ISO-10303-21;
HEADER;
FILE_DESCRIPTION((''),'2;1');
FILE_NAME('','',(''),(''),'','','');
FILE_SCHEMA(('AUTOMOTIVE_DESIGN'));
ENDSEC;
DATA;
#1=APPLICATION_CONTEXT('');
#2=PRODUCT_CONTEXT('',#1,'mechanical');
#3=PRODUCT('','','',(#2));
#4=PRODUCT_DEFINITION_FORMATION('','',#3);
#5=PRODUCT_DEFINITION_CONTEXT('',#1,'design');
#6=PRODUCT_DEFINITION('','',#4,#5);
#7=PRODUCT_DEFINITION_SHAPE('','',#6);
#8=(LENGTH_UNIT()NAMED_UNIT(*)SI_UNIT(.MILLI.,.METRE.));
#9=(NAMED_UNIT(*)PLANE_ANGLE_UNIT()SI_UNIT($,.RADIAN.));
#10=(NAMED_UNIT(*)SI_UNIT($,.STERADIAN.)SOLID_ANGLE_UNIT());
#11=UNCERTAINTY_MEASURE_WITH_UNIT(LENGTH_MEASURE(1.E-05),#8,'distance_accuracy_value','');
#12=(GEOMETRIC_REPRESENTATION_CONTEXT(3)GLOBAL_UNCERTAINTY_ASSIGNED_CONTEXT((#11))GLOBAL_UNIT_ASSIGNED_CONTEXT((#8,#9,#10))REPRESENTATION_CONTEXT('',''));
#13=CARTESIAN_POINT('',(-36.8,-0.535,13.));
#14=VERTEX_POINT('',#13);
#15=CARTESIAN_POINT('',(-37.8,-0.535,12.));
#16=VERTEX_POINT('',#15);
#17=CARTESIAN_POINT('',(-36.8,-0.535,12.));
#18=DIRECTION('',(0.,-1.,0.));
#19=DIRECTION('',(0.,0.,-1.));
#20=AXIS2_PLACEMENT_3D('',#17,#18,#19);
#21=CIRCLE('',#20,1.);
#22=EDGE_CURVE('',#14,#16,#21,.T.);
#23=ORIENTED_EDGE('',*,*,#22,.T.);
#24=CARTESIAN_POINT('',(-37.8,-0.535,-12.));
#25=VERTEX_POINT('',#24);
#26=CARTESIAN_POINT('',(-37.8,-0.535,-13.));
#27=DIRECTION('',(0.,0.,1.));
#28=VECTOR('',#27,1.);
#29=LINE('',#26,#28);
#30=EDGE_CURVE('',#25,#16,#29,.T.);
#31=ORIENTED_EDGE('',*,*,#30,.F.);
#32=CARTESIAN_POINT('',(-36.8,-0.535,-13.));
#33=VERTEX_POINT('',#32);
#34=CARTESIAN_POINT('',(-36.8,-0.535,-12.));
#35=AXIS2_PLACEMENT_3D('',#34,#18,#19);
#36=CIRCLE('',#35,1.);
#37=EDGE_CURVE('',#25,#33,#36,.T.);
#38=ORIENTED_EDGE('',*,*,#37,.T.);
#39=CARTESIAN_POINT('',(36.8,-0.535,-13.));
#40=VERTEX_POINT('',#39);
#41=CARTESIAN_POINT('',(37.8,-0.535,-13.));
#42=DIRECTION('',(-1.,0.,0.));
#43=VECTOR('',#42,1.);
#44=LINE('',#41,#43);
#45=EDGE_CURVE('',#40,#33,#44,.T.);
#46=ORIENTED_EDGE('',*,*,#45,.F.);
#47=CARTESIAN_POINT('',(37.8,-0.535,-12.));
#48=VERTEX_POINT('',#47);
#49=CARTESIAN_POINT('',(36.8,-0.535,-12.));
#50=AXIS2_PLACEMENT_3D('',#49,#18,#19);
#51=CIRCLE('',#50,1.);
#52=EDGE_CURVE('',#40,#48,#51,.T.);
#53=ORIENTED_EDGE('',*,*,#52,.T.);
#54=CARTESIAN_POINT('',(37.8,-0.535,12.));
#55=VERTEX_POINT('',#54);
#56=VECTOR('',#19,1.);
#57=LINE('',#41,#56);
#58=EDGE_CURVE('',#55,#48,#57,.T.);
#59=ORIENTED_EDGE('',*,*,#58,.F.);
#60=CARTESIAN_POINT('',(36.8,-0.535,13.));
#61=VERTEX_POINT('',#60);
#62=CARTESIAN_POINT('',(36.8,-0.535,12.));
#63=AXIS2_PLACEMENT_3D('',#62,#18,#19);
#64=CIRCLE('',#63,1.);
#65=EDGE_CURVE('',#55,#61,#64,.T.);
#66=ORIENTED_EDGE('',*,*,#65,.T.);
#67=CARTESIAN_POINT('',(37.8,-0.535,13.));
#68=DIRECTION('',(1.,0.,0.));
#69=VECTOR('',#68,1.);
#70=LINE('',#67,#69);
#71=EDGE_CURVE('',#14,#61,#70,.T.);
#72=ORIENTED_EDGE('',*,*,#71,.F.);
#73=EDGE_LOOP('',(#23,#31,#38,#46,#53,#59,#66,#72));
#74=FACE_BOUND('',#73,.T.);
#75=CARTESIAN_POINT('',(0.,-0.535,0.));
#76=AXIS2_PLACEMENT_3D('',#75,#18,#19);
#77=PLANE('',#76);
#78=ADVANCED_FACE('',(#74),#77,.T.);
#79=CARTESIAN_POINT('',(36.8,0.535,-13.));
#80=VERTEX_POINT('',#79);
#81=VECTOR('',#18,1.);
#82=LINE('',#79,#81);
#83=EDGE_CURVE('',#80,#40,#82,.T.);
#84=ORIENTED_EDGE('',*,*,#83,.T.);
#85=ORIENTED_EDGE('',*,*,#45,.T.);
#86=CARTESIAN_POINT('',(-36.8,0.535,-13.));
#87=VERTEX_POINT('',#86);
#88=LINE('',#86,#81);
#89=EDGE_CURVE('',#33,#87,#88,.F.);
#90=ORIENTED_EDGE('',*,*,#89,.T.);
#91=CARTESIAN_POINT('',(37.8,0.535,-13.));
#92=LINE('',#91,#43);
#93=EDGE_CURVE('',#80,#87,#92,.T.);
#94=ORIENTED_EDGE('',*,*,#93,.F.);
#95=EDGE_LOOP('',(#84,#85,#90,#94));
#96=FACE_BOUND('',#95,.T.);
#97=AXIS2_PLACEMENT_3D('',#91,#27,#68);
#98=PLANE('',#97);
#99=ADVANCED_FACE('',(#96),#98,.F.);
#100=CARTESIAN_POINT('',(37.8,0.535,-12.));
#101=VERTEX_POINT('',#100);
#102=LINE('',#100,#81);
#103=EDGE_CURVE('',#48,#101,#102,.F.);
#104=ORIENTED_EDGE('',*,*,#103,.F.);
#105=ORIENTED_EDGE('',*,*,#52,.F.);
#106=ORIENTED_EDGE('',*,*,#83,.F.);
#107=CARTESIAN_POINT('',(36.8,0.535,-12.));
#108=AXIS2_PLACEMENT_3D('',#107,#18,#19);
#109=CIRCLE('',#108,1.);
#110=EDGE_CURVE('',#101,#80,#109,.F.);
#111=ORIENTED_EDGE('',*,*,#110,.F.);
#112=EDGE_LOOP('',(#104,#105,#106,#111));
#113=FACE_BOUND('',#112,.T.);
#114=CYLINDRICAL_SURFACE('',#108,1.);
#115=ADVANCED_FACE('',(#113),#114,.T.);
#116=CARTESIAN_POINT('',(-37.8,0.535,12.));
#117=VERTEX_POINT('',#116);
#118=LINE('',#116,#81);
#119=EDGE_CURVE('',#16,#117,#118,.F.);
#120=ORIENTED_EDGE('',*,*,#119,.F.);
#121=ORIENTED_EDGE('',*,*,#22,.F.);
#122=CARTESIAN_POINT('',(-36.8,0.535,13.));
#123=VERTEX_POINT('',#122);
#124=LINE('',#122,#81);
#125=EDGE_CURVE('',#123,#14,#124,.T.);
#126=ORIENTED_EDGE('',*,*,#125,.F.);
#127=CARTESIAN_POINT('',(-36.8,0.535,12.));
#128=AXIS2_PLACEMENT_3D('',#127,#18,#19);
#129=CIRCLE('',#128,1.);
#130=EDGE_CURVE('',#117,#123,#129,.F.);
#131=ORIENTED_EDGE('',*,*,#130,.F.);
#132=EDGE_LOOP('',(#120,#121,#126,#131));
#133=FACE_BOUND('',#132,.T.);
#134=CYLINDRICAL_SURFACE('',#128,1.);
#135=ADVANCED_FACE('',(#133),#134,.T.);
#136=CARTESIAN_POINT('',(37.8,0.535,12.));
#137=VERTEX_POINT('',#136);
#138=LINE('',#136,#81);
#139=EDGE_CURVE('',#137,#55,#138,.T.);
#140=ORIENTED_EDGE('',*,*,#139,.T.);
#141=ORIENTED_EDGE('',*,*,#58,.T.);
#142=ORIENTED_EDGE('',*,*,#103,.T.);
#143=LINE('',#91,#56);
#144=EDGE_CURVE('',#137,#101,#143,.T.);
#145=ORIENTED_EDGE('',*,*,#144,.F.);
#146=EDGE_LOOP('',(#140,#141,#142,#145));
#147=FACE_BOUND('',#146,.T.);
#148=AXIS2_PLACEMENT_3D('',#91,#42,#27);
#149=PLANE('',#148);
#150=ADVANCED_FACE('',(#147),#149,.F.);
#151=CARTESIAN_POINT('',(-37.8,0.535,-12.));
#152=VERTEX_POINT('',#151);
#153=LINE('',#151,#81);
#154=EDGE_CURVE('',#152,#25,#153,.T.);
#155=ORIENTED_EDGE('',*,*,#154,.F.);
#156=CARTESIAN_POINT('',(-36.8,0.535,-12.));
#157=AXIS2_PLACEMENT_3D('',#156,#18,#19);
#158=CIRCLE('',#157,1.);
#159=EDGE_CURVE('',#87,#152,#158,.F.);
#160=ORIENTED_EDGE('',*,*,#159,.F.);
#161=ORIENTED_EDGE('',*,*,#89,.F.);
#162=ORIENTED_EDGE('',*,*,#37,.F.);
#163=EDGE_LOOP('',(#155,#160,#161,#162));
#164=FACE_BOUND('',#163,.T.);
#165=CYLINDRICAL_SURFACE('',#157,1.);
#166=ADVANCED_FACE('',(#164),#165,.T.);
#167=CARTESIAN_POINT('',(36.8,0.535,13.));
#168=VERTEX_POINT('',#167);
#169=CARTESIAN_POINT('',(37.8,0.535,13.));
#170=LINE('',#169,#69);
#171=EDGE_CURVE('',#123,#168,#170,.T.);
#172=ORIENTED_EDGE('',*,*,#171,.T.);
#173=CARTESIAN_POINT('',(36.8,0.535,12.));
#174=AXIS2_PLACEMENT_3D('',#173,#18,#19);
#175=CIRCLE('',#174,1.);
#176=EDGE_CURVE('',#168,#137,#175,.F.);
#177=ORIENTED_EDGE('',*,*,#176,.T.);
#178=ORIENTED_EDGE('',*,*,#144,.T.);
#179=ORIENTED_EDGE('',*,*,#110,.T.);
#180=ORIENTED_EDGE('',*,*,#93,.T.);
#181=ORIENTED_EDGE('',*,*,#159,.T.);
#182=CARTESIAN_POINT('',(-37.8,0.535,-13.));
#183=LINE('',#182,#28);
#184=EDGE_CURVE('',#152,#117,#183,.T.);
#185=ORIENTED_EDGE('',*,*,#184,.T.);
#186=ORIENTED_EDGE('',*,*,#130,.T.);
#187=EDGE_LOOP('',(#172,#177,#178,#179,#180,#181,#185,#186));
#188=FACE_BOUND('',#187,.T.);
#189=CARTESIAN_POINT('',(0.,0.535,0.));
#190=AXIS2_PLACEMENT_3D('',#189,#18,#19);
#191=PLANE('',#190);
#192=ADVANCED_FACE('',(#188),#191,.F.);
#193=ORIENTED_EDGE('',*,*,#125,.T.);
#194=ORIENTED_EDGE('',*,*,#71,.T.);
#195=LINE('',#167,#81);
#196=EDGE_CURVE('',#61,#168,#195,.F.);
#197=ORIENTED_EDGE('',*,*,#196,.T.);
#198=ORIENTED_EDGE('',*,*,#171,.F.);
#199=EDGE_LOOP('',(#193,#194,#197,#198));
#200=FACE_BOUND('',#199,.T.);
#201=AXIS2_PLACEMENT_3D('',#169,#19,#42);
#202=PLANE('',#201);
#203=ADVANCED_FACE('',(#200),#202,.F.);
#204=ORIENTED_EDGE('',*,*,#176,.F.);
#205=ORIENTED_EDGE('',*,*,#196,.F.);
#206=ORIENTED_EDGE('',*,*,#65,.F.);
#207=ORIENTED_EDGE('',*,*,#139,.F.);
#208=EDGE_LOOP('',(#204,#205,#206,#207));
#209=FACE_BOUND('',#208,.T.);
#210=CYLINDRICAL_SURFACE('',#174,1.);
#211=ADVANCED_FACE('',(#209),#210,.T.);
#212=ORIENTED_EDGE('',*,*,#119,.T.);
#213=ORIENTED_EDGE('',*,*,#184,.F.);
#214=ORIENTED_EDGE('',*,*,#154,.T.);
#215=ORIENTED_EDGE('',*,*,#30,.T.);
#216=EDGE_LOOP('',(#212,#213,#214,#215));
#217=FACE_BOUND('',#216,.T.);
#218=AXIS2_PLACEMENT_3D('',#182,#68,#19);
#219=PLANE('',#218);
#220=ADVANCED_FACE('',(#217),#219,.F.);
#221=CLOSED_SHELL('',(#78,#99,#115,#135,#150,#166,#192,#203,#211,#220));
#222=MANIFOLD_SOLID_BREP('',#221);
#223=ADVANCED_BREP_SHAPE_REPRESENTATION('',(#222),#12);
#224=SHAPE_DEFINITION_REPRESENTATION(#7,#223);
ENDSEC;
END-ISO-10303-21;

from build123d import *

# Parameters (mm, degrees)
SKETCH2_W           = 75.6
SKETCH2_H           = 26
BOSS_EXTRUDE1_DEPTH = 0.535
FILLET1_R           = 1


with BuildPart() as part:
    # Sketch2 → Boss-Extrude1 (new body, symmetric)
    with BuildSketch(Plane(origin=(0, 0, 0), x_dir=(1, 0, 0), z_dir=(0, 1, 0))):
        Rectangle(SKETCH2_W, SKETCH2_H)
    extrude(amount=BOSS_EXTRUDE1_DEPTH, both=True)

    # Fillet1
    fillet1_edges = [part.edges().sort_by_distance(p)[0] for p in [
        (-37.8, 0, -13),
        (37.8, 0, -13),
        (37.8, 0, 13),
        (-37.8, 0, 13),
    ]]
    fillet(fillet1_edges, radius=FILLET1_R)


solid = part.part
